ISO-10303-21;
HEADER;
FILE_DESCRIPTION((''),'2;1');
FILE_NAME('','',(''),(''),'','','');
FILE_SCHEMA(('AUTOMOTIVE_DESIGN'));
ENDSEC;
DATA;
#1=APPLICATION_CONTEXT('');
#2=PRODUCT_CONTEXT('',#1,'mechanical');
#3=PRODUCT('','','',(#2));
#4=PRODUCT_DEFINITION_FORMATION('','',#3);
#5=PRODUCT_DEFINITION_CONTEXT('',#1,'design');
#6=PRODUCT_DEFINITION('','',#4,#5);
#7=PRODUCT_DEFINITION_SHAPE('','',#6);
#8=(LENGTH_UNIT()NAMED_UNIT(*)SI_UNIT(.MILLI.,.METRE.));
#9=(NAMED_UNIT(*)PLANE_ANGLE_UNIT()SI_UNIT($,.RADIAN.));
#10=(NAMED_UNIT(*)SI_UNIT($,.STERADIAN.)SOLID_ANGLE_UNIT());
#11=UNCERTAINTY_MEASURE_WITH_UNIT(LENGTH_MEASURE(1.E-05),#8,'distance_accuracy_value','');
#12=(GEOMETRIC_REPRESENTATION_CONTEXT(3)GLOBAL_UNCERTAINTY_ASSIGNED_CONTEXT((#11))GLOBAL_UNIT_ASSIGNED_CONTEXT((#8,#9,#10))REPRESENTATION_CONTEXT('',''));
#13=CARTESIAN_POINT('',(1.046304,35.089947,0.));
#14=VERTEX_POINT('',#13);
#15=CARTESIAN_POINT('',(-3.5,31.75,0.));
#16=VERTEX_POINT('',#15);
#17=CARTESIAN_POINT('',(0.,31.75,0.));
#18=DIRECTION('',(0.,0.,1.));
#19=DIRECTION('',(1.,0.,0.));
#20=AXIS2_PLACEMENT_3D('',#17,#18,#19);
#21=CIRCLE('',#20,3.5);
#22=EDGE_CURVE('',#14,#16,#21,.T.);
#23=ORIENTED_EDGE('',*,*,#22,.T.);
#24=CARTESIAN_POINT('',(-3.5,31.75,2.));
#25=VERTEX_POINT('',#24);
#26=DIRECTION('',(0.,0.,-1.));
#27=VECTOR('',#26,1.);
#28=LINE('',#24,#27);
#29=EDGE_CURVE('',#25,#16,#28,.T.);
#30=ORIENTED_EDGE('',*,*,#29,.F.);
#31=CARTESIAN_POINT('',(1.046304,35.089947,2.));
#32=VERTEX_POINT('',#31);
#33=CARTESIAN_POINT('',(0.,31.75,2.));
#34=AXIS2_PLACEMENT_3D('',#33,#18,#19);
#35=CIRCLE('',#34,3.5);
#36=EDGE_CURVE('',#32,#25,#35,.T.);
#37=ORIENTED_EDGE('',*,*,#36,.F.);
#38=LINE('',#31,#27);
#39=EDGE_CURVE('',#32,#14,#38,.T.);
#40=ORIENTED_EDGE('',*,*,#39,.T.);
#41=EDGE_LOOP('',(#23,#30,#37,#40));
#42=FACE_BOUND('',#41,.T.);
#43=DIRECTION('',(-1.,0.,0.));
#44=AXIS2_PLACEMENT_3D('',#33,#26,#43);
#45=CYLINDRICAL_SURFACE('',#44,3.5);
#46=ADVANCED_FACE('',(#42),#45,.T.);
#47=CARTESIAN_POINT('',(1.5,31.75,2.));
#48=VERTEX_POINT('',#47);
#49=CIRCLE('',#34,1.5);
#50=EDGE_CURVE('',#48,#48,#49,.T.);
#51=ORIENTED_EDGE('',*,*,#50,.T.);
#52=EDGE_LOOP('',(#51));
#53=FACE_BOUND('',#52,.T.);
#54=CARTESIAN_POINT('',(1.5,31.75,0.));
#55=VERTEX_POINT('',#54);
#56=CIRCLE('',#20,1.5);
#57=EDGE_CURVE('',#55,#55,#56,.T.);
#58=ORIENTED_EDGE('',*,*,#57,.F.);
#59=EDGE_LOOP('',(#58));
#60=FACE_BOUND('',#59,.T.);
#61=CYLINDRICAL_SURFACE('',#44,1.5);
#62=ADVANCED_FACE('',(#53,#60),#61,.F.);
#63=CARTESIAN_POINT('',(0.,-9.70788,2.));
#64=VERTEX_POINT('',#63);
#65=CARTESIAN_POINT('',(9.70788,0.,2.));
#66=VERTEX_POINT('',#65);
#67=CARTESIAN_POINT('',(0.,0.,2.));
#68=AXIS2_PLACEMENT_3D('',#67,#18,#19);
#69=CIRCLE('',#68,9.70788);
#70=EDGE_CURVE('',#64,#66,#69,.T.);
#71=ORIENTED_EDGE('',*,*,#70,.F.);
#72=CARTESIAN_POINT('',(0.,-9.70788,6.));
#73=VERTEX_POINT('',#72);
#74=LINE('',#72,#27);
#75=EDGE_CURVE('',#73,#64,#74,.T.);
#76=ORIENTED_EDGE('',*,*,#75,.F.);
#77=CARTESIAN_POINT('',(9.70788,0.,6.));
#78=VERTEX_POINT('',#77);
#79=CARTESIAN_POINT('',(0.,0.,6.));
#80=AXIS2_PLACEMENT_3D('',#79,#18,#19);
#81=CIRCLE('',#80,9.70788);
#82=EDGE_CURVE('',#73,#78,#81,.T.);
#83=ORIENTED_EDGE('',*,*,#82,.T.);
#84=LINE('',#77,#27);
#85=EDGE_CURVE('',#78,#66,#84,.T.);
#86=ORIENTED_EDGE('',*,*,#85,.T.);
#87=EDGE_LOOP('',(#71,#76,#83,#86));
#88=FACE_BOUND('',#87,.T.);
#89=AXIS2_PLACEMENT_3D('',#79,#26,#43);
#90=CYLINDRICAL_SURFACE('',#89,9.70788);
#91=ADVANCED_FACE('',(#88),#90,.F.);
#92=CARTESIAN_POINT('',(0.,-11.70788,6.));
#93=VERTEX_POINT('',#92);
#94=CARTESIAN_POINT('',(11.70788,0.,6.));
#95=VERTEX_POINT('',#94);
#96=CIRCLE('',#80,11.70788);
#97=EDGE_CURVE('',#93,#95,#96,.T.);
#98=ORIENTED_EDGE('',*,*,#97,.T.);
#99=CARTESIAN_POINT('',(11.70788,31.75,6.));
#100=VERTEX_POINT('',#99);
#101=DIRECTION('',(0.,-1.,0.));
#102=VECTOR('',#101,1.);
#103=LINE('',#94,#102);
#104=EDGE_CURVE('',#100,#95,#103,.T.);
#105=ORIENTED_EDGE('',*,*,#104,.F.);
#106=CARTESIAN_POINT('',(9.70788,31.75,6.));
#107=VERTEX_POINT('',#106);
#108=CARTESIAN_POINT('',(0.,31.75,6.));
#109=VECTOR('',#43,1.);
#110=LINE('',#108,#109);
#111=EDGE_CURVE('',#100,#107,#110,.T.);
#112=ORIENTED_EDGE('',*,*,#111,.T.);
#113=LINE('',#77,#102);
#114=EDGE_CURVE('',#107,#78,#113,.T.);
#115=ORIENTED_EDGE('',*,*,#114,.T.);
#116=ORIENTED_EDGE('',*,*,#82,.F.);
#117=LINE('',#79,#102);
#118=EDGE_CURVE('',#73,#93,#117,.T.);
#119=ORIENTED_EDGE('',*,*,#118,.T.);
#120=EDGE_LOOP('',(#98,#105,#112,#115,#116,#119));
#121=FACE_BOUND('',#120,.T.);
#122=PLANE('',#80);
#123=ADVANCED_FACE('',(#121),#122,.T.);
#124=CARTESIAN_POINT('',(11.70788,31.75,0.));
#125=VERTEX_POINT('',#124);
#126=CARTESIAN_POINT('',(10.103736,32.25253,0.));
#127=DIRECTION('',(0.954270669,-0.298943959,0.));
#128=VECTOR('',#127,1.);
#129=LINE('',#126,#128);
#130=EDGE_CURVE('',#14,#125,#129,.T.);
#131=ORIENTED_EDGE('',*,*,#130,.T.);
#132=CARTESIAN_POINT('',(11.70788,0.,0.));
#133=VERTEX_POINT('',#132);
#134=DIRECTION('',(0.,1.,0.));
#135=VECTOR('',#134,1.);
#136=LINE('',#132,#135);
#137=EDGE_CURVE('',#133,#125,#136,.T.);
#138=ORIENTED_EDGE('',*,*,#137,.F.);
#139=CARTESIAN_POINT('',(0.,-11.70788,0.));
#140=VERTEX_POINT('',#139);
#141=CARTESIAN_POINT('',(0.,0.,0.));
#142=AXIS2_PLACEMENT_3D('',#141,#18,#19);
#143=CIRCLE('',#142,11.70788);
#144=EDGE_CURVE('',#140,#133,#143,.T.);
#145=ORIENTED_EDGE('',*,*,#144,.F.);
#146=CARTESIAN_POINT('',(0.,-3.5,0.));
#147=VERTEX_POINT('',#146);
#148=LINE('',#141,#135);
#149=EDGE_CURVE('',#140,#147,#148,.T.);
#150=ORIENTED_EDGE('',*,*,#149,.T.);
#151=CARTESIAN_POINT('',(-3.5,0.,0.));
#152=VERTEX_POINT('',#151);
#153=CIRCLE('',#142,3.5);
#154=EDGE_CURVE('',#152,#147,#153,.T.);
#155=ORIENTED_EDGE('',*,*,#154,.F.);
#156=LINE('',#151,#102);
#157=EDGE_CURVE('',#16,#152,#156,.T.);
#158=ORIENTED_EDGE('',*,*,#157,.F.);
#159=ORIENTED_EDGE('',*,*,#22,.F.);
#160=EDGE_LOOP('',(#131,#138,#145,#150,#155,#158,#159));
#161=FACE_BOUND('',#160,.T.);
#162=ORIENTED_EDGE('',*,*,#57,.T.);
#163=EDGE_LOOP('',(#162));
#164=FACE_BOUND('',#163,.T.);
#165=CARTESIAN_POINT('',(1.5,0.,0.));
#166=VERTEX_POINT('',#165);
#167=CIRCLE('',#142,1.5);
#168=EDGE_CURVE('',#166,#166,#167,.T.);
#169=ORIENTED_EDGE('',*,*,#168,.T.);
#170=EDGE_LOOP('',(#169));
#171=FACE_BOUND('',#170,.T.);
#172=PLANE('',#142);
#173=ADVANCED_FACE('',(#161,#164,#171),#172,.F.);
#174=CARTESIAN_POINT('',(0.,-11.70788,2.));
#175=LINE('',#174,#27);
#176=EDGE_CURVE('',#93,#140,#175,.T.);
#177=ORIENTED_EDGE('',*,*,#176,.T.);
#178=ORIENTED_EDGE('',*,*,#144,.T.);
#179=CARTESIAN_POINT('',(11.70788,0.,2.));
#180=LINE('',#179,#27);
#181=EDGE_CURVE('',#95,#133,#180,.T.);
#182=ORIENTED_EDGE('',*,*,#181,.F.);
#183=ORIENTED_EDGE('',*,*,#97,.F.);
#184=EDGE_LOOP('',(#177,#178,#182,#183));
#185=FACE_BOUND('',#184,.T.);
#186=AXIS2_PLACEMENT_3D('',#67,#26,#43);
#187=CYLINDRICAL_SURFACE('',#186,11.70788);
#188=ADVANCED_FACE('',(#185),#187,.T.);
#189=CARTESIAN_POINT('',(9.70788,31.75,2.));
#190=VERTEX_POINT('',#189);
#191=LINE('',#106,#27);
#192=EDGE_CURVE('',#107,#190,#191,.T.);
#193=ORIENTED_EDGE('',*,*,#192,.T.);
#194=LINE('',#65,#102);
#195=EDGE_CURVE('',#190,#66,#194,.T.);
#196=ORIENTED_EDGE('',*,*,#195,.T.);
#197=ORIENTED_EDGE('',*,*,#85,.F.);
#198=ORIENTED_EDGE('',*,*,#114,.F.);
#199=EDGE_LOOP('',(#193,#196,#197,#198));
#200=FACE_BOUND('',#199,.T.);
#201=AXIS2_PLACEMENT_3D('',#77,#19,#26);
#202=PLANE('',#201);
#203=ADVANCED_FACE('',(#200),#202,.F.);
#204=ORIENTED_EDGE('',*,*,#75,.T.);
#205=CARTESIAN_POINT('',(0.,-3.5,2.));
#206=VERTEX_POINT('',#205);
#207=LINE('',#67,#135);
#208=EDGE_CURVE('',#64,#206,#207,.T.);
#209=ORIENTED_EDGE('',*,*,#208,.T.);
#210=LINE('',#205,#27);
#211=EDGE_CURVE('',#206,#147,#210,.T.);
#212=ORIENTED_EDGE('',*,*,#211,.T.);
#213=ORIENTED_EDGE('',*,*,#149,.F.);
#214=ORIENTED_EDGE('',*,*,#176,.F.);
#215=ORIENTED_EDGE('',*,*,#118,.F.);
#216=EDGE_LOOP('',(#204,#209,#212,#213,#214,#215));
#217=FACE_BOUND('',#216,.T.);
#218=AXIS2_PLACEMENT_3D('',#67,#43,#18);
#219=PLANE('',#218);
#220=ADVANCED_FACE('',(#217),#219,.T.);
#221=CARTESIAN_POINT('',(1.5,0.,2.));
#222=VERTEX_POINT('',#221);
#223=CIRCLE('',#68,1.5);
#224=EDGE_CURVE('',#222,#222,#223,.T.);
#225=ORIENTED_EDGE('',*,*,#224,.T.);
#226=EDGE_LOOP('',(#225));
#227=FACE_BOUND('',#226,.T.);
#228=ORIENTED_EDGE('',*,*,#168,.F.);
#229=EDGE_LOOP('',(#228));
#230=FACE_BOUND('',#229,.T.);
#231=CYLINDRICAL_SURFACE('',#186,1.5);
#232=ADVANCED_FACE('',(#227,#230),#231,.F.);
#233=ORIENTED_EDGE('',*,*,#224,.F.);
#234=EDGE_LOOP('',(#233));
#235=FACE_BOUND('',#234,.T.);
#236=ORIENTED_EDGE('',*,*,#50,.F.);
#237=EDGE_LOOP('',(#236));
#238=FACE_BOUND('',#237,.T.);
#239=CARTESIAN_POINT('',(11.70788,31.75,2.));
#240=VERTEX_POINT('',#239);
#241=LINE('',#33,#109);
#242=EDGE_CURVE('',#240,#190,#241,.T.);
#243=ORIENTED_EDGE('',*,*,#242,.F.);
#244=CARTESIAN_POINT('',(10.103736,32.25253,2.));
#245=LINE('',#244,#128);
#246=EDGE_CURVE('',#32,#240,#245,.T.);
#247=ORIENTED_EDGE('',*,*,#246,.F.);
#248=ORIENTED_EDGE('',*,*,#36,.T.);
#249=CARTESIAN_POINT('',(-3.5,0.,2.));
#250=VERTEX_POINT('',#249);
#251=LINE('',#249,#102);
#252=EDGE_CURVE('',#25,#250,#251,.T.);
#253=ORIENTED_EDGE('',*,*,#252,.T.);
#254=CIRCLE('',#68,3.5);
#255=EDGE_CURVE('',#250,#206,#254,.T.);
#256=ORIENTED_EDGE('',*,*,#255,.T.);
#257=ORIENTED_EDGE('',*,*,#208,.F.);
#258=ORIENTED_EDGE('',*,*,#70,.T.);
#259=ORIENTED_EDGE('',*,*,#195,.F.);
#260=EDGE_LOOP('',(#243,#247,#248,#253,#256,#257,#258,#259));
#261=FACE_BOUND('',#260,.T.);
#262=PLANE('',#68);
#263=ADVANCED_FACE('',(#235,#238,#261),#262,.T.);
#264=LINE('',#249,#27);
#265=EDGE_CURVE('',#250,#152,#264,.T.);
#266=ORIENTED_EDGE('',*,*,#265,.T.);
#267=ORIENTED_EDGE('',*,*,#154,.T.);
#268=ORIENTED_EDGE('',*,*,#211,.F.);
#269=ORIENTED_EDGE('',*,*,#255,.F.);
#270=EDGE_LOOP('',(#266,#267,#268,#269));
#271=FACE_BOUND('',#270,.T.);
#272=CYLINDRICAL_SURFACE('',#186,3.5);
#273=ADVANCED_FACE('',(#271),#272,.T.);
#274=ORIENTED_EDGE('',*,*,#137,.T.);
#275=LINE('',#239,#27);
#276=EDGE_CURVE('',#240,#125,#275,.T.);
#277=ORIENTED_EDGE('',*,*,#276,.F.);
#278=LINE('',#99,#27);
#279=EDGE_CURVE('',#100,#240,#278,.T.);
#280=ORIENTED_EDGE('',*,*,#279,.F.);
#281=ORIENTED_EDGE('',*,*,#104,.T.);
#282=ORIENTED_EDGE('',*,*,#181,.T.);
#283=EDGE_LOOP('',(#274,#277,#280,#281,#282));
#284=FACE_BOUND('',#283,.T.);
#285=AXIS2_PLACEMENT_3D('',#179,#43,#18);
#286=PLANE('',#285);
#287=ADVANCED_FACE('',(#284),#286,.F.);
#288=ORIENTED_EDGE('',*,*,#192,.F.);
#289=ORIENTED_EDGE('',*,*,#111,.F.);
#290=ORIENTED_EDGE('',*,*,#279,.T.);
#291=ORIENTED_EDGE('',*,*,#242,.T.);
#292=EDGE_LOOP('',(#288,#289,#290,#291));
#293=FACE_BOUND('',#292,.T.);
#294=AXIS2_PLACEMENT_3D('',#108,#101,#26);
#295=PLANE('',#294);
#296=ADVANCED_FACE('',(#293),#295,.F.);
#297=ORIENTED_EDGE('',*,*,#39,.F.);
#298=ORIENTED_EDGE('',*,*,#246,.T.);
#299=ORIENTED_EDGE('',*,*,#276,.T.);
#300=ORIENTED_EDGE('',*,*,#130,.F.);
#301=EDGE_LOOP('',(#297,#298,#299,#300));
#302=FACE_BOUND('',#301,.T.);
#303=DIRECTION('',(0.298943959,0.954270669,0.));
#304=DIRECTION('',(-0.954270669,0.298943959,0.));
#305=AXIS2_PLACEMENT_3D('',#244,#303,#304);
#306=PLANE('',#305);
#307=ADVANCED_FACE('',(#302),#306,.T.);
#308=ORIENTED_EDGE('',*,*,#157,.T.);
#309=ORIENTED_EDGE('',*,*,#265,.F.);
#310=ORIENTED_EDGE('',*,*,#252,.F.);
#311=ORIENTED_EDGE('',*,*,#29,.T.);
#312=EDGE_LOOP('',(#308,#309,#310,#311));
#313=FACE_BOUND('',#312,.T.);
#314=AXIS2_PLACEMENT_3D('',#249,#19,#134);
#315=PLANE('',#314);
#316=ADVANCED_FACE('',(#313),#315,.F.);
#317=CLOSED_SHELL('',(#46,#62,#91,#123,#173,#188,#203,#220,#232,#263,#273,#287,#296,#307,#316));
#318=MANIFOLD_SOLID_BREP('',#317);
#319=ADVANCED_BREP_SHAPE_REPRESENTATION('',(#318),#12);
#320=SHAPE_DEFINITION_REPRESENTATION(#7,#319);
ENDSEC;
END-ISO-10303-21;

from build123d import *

# Parameters (mm, degrees)
SKETCH1_R           = 3.5
SKETCH1_R_2         = 1.5
BOSS_EXTRUDE1_DEPTH = 2
BOSS_EXTRUDE2_START = 2
BOSS_EXTRUDE2_DEPTH = 4


with BuildPart() as part:
    # Sketch1 → Boss-Extrude1 (new body)
    with BuildSketch(Plane.XY):
        with BuildLine():
            Line((9.70788, 31.75), (11.70788, 31.75))
            Line((11.70788, 31.75), (1.046303857, 35.089947341))
            ThreePointArc((1.046303857, 35.089947341), (2.820643854, 33.822189241), (3.5, 31.75))
            ThreePointArc((3.5, 31.75), (0, 28.25), (-3.5, 31.75))
            Line((-3.5, 31.75), (-3.5, 0))
            ThreePointArc((-3.5, 0), (0, 3.5), (3.5, 0))
            ThreePointArc((3.5, 0), (2.474873734, -2.474873734), (0, -3.5))
            Line((0, -3.5), (0, -9.70788))
            ThreePointArc((0, -9.70788), (6.864507779, -6.864507779), (9.70788, 0))
            Line((9.70788, 0), (9.70788, 31.75))
        make_face()
        with Locations((0, 31.75)):
            Circle(SKETCH1_R)
        with Locations((0, 31.75)):
            Circle(SKETCH1_R_2, mode=Mode.SUBTRACT)
        Circle(SKETCH1_R)
        Circle(SKETCH1_R_2, mode=Mode.SUBTRACT)
        with BuildLine():
            ThreePointArc((0, -9.70788), (6.864507779, -6.864507779), (9.70788, 0))
            Line((9.70788, 0), (9.70788, 31.75))
            Line((9.70788, 31.75), (11.70788, 31.75))
            Line((11.70788, 31.75), (11.70788, 0))
            ThreePointArc((11.70788, 0), (8.278721341, -8.278721341), (0, -11.70788))
            Line((0, -11.70788), (0, -9.70788))
        make_face()
    extrude(amount=BOSS_EXTRUDE1_DEPTH)

    # Sketch1<3> → Boss-Extrude2 (add)
    with BuildSketch(Plane.XY.offset(BOSS_EXTRUDE2_START)):
        with BuildLine():
            ThreePointArc((0, -9.70788), (6.864507779, -6.864507779), (9.70788, 0))
            Line((9.70788, 0), (9.70788, 31.75))
            Line((9.70788, 31.75), (11.70788, 31.75))
            Line((11.70788, 31.75), (11.70788, 0))
            ThreePointArc((11.70788, 0), (8.278721341, -8.278721341), (0, -11.70788))
            Line((0, -11.70788), (0, -9.70788))
        make_face()
    extrude(amount=BOSS_EXTRUDE2_DEPTH)


solid = part.part
